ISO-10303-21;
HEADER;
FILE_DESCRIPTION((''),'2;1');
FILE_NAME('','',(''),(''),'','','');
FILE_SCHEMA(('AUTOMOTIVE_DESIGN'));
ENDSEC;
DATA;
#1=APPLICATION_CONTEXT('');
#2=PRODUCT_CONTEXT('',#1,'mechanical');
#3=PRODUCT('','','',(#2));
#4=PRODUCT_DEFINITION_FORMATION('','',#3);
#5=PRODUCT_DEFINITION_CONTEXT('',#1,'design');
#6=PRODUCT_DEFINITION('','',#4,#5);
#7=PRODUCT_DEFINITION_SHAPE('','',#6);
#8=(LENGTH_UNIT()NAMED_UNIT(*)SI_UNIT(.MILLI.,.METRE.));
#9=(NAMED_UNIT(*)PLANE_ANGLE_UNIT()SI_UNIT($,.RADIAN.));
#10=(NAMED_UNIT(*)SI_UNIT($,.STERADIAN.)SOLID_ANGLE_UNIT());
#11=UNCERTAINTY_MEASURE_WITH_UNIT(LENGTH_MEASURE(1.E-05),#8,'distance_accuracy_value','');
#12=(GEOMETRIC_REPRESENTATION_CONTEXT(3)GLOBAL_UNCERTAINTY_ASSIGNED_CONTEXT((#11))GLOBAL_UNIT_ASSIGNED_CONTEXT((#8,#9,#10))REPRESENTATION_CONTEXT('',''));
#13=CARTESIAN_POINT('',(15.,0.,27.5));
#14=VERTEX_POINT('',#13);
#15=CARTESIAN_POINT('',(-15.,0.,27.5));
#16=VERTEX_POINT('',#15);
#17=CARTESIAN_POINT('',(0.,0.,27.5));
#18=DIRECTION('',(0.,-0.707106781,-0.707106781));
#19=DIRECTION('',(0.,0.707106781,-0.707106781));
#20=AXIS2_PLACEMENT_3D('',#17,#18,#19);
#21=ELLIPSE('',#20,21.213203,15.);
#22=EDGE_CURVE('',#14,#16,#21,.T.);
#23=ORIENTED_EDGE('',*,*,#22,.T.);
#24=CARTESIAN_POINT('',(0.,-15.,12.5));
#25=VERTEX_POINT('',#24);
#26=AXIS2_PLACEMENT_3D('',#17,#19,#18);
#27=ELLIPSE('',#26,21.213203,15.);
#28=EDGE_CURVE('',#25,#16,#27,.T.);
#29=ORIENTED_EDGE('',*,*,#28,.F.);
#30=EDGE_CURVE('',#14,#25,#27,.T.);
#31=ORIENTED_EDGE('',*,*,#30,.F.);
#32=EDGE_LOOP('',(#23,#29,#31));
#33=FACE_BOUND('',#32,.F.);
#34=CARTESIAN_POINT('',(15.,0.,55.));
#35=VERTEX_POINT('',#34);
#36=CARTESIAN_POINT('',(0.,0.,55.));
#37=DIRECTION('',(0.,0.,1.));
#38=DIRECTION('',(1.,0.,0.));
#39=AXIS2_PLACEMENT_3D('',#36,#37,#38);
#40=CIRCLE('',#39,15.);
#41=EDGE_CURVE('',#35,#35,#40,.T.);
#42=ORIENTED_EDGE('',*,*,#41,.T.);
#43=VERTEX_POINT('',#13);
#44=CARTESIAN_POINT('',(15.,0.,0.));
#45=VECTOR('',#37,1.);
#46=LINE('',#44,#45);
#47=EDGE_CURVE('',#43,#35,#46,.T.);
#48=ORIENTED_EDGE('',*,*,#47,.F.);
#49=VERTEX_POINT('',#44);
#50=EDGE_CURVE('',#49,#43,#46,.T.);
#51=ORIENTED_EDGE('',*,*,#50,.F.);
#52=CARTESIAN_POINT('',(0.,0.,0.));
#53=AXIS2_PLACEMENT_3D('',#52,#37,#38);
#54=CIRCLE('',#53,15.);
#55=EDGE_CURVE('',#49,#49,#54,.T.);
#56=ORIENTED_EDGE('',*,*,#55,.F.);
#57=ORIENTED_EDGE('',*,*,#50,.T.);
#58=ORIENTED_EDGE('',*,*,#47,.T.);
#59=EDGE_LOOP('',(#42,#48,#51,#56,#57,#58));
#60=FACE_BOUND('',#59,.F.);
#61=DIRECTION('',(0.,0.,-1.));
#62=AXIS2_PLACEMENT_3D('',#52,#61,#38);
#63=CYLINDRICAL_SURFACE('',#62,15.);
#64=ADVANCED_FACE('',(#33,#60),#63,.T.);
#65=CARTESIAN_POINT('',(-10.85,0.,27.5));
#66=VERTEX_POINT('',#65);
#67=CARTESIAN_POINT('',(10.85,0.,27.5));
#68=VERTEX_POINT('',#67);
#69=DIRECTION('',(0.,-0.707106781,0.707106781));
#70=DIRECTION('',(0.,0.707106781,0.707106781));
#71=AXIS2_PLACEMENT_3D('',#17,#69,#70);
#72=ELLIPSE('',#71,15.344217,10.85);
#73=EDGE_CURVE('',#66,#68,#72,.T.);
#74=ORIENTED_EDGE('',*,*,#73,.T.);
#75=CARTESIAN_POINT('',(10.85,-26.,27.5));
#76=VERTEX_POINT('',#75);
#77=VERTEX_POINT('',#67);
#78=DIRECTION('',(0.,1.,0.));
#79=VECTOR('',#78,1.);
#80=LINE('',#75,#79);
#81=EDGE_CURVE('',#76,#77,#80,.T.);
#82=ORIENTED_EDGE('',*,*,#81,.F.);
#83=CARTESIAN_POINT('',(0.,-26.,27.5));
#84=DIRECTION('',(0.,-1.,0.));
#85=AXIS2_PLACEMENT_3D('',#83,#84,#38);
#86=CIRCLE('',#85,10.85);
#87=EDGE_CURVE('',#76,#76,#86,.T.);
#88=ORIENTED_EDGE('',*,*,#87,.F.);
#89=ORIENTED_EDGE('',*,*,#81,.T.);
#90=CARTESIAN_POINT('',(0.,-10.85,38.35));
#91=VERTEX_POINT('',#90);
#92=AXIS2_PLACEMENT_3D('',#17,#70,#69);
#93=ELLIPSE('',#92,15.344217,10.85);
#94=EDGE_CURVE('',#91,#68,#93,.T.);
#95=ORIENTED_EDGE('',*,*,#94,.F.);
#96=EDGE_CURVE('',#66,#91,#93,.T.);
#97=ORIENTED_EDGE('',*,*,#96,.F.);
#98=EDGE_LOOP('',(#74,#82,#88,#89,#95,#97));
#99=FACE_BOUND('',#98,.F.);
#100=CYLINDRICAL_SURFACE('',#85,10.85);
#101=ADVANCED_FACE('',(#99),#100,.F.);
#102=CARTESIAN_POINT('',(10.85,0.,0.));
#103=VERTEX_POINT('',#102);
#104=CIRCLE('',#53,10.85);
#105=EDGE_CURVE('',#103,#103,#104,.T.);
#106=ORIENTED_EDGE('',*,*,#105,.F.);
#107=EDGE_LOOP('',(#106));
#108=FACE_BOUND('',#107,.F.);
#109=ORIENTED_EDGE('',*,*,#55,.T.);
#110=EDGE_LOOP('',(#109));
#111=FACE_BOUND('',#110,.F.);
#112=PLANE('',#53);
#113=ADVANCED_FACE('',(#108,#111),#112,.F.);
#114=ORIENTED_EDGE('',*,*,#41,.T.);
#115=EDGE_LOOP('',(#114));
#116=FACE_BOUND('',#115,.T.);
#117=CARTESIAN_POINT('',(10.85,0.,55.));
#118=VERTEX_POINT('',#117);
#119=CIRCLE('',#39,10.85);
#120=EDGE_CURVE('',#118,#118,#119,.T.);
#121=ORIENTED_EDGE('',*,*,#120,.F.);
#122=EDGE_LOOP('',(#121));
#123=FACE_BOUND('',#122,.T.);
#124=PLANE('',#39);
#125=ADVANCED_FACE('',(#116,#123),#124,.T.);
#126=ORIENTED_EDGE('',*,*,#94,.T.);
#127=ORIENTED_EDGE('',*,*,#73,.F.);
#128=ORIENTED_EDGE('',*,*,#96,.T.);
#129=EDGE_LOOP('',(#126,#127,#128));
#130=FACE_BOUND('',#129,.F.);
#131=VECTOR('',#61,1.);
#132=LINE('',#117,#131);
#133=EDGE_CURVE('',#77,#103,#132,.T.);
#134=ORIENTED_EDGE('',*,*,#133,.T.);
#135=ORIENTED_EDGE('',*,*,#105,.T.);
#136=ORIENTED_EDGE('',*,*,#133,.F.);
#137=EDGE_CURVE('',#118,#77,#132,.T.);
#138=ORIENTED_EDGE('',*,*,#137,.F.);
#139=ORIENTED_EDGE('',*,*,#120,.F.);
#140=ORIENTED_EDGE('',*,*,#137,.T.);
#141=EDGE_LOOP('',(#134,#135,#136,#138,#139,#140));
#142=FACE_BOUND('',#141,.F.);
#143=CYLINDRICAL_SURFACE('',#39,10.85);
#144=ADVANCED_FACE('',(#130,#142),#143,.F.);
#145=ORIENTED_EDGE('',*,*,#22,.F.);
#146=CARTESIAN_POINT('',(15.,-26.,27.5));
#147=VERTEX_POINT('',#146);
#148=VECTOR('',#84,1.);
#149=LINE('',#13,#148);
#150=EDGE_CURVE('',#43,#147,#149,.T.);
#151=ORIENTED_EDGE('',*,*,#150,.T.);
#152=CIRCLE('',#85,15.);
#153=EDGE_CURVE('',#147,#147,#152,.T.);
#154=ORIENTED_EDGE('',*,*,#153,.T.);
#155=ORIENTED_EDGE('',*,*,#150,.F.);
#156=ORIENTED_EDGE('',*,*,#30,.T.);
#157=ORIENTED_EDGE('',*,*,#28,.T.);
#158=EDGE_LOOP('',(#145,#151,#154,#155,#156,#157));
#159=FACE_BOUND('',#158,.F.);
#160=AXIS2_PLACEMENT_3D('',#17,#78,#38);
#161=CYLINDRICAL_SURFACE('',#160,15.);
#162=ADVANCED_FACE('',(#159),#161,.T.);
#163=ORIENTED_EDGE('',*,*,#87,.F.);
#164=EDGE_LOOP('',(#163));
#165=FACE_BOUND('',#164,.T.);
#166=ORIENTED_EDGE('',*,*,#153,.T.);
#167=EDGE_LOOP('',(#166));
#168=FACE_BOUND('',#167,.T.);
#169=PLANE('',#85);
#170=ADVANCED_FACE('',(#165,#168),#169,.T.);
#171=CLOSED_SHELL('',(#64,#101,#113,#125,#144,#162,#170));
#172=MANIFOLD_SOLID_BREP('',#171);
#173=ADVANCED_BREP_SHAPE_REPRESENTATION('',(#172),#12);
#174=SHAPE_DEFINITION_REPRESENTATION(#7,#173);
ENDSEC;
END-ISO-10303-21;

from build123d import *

# Parameters (mm, degrees)
F0_R     = 15
F1_DEPTH = 55
F2_R     = 15
F3_DEPTH = 26
F4_R     = 10.85
F5_DEPTH = 55
F6_R     = 10.85
F7_DEPTH = 26


with BuildPart() as f1:
    # F0 (on Top) → F1 (new body)
    with BuildSketch(Plane.XY):
        Circle(F0_R)
    extrude(amount=F1_DEPTH)

    # F2 (on Front) → F3 (join)
    with BuildSketch(Plane.XZ):
        with Locations((0, 27.5)):
            Circle(F2_R)
    extrude(amount=F3_DEPTH)

    # F4 (on face) → F5 (cut)
    with BuildSketch(Plane.XY.offset(55)):
        Circle(F4_R)
    extrude(amount=-F5_DEPTH, mode=Mode.SUBTRACT)

    # F6 (on face) → F7 (cut)
    with BuildSketch(Plane.XZ.offset(26)):
        with Locations((0, 27.5)):
            Circle(F6_R)
    extrude(amount=-F7_DEPTH, mode=Mode.SUBTRACT)


solid = f1.part
